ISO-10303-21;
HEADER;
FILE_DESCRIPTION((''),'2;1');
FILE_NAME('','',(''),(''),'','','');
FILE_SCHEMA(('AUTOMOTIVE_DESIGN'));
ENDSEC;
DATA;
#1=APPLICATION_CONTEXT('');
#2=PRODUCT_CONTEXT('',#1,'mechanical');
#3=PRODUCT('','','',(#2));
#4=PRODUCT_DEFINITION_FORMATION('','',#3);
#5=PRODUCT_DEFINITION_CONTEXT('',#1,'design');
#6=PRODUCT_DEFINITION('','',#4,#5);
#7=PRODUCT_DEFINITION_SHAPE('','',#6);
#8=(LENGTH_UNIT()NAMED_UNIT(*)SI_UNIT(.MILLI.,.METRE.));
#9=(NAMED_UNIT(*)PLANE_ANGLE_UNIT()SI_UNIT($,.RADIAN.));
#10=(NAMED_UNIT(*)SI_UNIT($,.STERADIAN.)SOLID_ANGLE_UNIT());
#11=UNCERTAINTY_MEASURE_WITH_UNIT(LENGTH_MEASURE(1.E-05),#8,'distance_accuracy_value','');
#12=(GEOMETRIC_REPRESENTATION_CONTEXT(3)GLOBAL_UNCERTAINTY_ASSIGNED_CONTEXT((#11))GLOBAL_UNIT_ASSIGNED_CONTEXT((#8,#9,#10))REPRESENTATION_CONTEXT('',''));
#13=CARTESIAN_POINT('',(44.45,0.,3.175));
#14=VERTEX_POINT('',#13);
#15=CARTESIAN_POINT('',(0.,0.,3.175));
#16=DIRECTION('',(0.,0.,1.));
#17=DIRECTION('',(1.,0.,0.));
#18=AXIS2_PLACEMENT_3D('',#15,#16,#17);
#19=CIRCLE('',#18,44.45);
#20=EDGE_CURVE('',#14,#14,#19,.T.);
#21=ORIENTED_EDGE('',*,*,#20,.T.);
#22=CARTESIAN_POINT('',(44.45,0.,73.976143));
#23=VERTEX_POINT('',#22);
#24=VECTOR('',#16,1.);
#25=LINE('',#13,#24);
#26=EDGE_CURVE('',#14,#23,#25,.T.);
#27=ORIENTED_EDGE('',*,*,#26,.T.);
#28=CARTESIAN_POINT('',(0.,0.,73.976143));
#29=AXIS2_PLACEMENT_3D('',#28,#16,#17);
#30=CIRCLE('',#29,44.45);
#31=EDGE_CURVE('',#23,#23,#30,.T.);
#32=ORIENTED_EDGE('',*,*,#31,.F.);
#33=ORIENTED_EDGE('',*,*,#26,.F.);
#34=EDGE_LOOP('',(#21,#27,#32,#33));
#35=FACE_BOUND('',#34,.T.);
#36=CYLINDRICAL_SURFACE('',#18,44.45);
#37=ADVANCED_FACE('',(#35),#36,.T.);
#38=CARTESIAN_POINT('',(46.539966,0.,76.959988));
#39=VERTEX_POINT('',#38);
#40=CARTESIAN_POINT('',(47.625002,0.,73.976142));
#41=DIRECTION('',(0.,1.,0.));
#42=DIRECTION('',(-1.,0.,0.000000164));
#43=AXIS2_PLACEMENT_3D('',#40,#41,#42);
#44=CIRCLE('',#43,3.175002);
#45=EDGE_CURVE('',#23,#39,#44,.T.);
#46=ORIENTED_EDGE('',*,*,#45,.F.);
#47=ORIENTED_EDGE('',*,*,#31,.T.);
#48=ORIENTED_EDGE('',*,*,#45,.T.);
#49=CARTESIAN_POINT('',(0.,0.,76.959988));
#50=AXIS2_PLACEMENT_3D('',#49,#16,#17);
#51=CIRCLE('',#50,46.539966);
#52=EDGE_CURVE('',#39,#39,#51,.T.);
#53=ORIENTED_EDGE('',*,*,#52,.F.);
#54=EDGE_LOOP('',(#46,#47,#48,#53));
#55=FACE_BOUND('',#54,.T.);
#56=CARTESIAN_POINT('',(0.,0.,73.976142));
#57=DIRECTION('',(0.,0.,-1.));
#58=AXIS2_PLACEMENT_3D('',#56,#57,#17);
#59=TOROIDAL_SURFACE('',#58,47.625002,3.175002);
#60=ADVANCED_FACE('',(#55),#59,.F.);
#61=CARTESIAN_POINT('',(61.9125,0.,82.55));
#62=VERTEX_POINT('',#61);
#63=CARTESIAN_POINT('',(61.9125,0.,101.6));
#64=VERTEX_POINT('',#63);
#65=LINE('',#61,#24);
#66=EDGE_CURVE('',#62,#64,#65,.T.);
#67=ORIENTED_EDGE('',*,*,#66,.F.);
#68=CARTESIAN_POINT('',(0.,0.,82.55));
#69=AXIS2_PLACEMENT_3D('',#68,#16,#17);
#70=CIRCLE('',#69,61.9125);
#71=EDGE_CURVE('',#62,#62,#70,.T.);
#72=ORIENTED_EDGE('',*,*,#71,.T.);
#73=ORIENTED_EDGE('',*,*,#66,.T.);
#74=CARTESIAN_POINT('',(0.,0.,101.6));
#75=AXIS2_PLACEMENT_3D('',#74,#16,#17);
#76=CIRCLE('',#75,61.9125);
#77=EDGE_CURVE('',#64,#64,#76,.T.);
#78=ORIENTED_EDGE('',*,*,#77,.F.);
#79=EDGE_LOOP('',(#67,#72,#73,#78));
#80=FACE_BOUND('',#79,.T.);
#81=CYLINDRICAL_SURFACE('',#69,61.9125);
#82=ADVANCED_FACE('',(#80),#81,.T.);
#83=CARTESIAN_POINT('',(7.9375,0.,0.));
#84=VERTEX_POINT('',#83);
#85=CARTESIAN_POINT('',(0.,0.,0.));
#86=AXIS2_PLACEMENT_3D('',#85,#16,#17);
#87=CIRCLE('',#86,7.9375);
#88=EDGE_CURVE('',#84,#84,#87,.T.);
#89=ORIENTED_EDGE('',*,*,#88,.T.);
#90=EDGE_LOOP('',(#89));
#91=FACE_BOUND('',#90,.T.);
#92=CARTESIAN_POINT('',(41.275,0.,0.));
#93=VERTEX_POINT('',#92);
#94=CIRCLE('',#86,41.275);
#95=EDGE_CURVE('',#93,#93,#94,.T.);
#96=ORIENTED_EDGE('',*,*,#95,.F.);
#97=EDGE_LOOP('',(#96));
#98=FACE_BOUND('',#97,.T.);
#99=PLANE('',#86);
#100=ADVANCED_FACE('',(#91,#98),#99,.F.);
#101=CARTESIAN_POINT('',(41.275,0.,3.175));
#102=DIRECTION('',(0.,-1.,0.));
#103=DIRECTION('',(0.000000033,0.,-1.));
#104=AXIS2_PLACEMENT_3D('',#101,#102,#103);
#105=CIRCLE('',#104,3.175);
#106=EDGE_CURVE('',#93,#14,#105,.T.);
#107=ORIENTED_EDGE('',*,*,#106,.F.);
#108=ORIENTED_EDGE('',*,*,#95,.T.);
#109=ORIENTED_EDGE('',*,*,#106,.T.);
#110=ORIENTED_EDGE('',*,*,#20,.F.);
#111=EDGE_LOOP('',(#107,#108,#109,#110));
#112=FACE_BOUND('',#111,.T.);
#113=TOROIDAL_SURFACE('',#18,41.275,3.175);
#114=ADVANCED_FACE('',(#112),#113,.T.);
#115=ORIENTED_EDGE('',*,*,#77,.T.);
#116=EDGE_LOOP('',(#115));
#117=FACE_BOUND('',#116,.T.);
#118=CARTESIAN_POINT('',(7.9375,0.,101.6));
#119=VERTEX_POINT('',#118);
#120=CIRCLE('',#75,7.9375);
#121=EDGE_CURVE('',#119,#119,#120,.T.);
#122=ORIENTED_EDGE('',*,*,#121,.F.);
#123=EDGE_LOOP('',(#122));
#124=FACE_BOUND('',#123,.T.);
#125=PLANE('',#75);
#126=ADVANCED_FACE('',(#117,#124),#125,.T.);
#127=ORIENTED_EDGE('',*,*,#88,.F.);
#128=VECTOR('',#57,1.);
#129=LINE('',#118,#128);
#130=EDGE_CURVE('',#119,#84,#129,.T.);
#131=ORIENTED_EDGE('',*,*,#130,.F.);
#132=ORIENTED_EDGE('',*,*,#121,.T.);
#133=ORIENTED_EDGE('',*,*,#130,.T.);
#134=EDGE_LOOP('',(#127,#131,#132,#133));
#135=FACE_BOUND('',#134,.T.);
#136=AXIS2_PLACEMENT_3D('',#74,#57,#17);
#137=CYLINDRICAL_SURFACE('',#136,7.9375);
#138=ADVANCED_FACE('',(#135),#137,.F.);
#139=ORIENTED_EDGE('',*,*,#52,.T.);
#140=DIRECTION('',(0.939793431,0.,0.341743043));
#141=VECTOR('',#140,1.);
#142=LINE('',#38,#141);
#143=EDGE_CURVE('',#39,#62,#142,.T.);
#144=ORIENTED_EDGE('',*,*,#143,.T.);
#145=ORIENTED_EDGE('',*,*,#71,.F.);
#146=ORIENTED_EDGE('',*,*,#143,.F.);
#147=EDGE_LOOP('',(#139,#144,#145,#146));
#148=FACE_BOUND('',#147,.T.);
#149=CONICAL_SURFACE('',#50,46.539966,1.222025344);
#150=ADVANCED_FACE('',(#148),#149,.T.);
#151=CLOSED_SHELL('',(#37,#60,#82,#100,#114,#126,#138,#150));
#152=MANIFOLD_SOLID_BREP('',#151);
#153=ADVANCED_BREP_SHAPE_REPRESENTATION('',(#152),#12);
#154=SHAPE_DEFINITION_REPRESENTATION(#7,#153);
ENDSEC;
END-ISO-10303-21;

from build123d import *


with BuildPart() as f1:
    # F0 (on Front) → F1 (revolve)
    with BuildSketch(Plane.XZ):
        with BuildLine():
            Line((7.9375, 101.6), (7.9375, 0))
            Line((7.9375, 0), (41.275, 0))
            ThreePointArc((41.275, 0), (43.520064, 0.929936), (44.45, 3.175))
            Line((44.45, 3.175), (44.45, 73.976143))
            ThreePointArc((44.45, 73.976143), (45.024461, 75.797632), (46.539966, 76.959988))
            Line((46.539966, 76.959988), (61.9125, 82.55))
            Line((61.9125, 82.55), (61.9125, 98.425))
            Line((61.9125, 98.425), (61.9125, 101.6))
            Line((61.9125, 101.6), (58.7375, 101.6))
            Line((58.7375, 101.6), (7.9375, 101.6))
        make_face()
    revolve(axis=Axis((0, 0, 44.177184), (0, 0, 1)))


solid = f1.part
